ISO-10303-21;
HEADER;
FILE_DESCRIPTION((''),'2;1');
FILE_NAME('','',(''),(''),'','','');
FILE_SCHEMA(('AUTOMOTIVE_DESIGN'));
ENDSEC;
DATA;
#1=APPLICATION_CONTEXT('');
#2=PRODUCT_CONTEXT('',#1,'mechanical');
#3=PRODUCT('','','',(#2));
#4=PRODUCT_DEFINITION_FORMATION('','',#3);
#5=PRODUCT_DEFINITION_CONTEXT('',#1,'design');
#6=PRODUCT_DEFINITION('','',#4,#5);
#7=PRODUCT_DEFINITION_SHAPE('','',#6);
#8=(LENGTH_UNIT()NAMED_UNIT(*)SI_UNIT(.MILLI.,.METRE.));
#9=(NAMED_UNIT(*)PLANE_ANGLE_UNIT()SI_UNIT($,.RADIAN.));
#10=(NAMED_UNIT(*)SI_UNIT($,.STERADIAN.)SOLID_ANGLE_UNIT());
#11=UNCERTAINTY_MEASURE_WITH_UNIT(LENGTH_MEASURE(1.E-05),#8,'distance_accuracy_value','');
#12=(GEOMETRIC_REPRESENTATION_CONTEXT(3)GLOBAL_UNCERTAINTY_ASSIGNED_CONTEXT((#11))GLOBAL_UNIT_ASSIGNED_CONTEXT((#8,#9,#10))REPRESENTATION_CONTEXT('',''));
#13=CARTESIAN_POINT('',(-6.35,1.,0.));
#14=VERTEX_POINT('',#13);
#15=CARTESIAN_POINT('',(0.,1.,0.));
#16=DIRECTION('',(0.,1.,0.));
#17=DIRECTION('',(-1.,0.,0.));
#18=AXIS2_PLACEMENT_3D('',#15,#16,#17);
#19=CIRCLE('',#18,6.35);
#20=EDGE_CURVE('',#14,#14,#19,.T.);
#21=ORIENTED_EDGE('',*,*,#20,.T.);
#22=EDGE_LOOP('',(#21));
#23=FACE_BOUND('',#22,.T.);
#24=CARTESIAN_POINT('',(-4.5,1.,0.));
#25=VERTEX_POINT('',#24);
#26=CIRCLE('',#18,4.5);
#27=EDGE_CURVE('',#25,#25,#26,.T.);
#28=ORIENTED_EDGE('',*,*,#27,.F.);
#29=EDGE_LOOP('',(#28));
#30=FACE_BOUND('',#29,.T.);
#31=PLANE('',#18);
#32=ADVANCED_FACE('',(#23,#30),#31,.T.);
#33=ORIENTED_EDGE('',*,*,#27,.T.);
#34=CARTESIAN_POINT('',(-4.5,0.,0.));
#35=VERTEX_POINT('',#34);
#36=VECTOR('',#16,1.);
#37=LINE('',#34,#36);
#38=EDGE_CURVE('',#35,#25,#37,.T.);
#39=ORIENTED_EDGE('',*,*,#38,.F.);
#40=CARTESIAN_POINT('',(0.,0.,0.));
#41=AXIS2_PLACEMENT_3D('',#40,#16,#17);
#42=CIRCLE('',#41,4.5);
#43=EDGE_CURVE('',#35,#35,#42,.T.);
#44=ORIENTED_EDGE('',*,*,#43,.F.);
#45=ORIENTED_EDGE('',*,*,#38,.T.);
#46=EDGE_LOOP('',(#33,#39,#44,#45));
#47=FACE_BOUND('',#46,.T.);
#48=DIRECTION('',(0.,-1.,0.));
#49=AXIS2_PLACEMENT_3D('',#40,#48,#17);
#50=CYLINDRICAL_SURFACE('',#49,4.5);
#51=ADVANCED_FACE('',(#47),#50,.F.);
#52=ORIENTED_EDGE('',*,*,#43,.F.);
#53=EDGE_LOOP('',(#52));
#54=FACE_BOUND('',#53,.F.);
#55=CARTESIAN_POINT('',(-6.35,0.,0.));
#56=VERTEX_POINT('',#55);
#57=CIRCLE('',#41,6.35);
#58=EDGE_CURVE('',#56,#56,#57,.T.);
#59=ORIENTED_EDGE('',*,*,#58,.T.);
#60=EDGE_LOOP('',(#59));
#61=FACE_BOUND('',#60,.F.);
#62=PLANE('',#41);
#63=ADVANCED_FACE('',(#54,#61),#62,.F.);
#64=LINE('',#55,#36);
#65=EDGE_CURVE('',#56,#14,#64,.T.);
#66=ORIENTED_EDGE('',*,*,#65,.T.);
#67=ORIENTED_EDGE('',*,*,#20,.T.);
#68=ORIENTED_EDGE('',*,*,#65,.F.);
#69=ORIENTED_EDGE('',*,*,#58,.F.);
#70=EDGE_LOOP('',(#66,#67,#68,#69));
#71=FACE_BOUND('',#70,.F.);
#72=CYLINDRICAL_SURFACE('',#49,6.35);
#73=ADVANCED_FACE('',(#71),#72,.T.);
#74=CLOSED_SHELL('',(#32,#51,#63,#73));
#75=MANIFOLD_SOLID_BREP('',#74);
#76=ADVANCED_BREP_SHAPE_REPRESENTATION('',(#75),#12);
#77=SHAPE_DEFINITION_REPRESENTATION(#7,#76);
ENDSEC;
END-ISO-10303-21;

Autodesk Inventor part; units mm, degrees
ref_plane "YZ Plane" through (0, 0, 0) normal (1, 0, 0) x (0, 1, 0)
ref_plane "XZ Plane" through (0, 0, 0) normal (0, 1, 0) x (-1, 0, 0)
ref_plane "XY Plane" through (0, 0, 0) normal (0, 0, 1) x (1, 0, 0)
sketch "Sketch1" plane through (0, 0, 0) normal (0, 1, 0) x (-1, 0, 0)
  circle A0 centre (0, 0) radius 6.35
  circle A1 centre (0, 0) radius 4.5
  dimension "d0" = 12.7
  dimension "d1" = 9
extrude "Extrusion1" add sketch "Sketch1" along normal blind 1
properties part number "washer"
